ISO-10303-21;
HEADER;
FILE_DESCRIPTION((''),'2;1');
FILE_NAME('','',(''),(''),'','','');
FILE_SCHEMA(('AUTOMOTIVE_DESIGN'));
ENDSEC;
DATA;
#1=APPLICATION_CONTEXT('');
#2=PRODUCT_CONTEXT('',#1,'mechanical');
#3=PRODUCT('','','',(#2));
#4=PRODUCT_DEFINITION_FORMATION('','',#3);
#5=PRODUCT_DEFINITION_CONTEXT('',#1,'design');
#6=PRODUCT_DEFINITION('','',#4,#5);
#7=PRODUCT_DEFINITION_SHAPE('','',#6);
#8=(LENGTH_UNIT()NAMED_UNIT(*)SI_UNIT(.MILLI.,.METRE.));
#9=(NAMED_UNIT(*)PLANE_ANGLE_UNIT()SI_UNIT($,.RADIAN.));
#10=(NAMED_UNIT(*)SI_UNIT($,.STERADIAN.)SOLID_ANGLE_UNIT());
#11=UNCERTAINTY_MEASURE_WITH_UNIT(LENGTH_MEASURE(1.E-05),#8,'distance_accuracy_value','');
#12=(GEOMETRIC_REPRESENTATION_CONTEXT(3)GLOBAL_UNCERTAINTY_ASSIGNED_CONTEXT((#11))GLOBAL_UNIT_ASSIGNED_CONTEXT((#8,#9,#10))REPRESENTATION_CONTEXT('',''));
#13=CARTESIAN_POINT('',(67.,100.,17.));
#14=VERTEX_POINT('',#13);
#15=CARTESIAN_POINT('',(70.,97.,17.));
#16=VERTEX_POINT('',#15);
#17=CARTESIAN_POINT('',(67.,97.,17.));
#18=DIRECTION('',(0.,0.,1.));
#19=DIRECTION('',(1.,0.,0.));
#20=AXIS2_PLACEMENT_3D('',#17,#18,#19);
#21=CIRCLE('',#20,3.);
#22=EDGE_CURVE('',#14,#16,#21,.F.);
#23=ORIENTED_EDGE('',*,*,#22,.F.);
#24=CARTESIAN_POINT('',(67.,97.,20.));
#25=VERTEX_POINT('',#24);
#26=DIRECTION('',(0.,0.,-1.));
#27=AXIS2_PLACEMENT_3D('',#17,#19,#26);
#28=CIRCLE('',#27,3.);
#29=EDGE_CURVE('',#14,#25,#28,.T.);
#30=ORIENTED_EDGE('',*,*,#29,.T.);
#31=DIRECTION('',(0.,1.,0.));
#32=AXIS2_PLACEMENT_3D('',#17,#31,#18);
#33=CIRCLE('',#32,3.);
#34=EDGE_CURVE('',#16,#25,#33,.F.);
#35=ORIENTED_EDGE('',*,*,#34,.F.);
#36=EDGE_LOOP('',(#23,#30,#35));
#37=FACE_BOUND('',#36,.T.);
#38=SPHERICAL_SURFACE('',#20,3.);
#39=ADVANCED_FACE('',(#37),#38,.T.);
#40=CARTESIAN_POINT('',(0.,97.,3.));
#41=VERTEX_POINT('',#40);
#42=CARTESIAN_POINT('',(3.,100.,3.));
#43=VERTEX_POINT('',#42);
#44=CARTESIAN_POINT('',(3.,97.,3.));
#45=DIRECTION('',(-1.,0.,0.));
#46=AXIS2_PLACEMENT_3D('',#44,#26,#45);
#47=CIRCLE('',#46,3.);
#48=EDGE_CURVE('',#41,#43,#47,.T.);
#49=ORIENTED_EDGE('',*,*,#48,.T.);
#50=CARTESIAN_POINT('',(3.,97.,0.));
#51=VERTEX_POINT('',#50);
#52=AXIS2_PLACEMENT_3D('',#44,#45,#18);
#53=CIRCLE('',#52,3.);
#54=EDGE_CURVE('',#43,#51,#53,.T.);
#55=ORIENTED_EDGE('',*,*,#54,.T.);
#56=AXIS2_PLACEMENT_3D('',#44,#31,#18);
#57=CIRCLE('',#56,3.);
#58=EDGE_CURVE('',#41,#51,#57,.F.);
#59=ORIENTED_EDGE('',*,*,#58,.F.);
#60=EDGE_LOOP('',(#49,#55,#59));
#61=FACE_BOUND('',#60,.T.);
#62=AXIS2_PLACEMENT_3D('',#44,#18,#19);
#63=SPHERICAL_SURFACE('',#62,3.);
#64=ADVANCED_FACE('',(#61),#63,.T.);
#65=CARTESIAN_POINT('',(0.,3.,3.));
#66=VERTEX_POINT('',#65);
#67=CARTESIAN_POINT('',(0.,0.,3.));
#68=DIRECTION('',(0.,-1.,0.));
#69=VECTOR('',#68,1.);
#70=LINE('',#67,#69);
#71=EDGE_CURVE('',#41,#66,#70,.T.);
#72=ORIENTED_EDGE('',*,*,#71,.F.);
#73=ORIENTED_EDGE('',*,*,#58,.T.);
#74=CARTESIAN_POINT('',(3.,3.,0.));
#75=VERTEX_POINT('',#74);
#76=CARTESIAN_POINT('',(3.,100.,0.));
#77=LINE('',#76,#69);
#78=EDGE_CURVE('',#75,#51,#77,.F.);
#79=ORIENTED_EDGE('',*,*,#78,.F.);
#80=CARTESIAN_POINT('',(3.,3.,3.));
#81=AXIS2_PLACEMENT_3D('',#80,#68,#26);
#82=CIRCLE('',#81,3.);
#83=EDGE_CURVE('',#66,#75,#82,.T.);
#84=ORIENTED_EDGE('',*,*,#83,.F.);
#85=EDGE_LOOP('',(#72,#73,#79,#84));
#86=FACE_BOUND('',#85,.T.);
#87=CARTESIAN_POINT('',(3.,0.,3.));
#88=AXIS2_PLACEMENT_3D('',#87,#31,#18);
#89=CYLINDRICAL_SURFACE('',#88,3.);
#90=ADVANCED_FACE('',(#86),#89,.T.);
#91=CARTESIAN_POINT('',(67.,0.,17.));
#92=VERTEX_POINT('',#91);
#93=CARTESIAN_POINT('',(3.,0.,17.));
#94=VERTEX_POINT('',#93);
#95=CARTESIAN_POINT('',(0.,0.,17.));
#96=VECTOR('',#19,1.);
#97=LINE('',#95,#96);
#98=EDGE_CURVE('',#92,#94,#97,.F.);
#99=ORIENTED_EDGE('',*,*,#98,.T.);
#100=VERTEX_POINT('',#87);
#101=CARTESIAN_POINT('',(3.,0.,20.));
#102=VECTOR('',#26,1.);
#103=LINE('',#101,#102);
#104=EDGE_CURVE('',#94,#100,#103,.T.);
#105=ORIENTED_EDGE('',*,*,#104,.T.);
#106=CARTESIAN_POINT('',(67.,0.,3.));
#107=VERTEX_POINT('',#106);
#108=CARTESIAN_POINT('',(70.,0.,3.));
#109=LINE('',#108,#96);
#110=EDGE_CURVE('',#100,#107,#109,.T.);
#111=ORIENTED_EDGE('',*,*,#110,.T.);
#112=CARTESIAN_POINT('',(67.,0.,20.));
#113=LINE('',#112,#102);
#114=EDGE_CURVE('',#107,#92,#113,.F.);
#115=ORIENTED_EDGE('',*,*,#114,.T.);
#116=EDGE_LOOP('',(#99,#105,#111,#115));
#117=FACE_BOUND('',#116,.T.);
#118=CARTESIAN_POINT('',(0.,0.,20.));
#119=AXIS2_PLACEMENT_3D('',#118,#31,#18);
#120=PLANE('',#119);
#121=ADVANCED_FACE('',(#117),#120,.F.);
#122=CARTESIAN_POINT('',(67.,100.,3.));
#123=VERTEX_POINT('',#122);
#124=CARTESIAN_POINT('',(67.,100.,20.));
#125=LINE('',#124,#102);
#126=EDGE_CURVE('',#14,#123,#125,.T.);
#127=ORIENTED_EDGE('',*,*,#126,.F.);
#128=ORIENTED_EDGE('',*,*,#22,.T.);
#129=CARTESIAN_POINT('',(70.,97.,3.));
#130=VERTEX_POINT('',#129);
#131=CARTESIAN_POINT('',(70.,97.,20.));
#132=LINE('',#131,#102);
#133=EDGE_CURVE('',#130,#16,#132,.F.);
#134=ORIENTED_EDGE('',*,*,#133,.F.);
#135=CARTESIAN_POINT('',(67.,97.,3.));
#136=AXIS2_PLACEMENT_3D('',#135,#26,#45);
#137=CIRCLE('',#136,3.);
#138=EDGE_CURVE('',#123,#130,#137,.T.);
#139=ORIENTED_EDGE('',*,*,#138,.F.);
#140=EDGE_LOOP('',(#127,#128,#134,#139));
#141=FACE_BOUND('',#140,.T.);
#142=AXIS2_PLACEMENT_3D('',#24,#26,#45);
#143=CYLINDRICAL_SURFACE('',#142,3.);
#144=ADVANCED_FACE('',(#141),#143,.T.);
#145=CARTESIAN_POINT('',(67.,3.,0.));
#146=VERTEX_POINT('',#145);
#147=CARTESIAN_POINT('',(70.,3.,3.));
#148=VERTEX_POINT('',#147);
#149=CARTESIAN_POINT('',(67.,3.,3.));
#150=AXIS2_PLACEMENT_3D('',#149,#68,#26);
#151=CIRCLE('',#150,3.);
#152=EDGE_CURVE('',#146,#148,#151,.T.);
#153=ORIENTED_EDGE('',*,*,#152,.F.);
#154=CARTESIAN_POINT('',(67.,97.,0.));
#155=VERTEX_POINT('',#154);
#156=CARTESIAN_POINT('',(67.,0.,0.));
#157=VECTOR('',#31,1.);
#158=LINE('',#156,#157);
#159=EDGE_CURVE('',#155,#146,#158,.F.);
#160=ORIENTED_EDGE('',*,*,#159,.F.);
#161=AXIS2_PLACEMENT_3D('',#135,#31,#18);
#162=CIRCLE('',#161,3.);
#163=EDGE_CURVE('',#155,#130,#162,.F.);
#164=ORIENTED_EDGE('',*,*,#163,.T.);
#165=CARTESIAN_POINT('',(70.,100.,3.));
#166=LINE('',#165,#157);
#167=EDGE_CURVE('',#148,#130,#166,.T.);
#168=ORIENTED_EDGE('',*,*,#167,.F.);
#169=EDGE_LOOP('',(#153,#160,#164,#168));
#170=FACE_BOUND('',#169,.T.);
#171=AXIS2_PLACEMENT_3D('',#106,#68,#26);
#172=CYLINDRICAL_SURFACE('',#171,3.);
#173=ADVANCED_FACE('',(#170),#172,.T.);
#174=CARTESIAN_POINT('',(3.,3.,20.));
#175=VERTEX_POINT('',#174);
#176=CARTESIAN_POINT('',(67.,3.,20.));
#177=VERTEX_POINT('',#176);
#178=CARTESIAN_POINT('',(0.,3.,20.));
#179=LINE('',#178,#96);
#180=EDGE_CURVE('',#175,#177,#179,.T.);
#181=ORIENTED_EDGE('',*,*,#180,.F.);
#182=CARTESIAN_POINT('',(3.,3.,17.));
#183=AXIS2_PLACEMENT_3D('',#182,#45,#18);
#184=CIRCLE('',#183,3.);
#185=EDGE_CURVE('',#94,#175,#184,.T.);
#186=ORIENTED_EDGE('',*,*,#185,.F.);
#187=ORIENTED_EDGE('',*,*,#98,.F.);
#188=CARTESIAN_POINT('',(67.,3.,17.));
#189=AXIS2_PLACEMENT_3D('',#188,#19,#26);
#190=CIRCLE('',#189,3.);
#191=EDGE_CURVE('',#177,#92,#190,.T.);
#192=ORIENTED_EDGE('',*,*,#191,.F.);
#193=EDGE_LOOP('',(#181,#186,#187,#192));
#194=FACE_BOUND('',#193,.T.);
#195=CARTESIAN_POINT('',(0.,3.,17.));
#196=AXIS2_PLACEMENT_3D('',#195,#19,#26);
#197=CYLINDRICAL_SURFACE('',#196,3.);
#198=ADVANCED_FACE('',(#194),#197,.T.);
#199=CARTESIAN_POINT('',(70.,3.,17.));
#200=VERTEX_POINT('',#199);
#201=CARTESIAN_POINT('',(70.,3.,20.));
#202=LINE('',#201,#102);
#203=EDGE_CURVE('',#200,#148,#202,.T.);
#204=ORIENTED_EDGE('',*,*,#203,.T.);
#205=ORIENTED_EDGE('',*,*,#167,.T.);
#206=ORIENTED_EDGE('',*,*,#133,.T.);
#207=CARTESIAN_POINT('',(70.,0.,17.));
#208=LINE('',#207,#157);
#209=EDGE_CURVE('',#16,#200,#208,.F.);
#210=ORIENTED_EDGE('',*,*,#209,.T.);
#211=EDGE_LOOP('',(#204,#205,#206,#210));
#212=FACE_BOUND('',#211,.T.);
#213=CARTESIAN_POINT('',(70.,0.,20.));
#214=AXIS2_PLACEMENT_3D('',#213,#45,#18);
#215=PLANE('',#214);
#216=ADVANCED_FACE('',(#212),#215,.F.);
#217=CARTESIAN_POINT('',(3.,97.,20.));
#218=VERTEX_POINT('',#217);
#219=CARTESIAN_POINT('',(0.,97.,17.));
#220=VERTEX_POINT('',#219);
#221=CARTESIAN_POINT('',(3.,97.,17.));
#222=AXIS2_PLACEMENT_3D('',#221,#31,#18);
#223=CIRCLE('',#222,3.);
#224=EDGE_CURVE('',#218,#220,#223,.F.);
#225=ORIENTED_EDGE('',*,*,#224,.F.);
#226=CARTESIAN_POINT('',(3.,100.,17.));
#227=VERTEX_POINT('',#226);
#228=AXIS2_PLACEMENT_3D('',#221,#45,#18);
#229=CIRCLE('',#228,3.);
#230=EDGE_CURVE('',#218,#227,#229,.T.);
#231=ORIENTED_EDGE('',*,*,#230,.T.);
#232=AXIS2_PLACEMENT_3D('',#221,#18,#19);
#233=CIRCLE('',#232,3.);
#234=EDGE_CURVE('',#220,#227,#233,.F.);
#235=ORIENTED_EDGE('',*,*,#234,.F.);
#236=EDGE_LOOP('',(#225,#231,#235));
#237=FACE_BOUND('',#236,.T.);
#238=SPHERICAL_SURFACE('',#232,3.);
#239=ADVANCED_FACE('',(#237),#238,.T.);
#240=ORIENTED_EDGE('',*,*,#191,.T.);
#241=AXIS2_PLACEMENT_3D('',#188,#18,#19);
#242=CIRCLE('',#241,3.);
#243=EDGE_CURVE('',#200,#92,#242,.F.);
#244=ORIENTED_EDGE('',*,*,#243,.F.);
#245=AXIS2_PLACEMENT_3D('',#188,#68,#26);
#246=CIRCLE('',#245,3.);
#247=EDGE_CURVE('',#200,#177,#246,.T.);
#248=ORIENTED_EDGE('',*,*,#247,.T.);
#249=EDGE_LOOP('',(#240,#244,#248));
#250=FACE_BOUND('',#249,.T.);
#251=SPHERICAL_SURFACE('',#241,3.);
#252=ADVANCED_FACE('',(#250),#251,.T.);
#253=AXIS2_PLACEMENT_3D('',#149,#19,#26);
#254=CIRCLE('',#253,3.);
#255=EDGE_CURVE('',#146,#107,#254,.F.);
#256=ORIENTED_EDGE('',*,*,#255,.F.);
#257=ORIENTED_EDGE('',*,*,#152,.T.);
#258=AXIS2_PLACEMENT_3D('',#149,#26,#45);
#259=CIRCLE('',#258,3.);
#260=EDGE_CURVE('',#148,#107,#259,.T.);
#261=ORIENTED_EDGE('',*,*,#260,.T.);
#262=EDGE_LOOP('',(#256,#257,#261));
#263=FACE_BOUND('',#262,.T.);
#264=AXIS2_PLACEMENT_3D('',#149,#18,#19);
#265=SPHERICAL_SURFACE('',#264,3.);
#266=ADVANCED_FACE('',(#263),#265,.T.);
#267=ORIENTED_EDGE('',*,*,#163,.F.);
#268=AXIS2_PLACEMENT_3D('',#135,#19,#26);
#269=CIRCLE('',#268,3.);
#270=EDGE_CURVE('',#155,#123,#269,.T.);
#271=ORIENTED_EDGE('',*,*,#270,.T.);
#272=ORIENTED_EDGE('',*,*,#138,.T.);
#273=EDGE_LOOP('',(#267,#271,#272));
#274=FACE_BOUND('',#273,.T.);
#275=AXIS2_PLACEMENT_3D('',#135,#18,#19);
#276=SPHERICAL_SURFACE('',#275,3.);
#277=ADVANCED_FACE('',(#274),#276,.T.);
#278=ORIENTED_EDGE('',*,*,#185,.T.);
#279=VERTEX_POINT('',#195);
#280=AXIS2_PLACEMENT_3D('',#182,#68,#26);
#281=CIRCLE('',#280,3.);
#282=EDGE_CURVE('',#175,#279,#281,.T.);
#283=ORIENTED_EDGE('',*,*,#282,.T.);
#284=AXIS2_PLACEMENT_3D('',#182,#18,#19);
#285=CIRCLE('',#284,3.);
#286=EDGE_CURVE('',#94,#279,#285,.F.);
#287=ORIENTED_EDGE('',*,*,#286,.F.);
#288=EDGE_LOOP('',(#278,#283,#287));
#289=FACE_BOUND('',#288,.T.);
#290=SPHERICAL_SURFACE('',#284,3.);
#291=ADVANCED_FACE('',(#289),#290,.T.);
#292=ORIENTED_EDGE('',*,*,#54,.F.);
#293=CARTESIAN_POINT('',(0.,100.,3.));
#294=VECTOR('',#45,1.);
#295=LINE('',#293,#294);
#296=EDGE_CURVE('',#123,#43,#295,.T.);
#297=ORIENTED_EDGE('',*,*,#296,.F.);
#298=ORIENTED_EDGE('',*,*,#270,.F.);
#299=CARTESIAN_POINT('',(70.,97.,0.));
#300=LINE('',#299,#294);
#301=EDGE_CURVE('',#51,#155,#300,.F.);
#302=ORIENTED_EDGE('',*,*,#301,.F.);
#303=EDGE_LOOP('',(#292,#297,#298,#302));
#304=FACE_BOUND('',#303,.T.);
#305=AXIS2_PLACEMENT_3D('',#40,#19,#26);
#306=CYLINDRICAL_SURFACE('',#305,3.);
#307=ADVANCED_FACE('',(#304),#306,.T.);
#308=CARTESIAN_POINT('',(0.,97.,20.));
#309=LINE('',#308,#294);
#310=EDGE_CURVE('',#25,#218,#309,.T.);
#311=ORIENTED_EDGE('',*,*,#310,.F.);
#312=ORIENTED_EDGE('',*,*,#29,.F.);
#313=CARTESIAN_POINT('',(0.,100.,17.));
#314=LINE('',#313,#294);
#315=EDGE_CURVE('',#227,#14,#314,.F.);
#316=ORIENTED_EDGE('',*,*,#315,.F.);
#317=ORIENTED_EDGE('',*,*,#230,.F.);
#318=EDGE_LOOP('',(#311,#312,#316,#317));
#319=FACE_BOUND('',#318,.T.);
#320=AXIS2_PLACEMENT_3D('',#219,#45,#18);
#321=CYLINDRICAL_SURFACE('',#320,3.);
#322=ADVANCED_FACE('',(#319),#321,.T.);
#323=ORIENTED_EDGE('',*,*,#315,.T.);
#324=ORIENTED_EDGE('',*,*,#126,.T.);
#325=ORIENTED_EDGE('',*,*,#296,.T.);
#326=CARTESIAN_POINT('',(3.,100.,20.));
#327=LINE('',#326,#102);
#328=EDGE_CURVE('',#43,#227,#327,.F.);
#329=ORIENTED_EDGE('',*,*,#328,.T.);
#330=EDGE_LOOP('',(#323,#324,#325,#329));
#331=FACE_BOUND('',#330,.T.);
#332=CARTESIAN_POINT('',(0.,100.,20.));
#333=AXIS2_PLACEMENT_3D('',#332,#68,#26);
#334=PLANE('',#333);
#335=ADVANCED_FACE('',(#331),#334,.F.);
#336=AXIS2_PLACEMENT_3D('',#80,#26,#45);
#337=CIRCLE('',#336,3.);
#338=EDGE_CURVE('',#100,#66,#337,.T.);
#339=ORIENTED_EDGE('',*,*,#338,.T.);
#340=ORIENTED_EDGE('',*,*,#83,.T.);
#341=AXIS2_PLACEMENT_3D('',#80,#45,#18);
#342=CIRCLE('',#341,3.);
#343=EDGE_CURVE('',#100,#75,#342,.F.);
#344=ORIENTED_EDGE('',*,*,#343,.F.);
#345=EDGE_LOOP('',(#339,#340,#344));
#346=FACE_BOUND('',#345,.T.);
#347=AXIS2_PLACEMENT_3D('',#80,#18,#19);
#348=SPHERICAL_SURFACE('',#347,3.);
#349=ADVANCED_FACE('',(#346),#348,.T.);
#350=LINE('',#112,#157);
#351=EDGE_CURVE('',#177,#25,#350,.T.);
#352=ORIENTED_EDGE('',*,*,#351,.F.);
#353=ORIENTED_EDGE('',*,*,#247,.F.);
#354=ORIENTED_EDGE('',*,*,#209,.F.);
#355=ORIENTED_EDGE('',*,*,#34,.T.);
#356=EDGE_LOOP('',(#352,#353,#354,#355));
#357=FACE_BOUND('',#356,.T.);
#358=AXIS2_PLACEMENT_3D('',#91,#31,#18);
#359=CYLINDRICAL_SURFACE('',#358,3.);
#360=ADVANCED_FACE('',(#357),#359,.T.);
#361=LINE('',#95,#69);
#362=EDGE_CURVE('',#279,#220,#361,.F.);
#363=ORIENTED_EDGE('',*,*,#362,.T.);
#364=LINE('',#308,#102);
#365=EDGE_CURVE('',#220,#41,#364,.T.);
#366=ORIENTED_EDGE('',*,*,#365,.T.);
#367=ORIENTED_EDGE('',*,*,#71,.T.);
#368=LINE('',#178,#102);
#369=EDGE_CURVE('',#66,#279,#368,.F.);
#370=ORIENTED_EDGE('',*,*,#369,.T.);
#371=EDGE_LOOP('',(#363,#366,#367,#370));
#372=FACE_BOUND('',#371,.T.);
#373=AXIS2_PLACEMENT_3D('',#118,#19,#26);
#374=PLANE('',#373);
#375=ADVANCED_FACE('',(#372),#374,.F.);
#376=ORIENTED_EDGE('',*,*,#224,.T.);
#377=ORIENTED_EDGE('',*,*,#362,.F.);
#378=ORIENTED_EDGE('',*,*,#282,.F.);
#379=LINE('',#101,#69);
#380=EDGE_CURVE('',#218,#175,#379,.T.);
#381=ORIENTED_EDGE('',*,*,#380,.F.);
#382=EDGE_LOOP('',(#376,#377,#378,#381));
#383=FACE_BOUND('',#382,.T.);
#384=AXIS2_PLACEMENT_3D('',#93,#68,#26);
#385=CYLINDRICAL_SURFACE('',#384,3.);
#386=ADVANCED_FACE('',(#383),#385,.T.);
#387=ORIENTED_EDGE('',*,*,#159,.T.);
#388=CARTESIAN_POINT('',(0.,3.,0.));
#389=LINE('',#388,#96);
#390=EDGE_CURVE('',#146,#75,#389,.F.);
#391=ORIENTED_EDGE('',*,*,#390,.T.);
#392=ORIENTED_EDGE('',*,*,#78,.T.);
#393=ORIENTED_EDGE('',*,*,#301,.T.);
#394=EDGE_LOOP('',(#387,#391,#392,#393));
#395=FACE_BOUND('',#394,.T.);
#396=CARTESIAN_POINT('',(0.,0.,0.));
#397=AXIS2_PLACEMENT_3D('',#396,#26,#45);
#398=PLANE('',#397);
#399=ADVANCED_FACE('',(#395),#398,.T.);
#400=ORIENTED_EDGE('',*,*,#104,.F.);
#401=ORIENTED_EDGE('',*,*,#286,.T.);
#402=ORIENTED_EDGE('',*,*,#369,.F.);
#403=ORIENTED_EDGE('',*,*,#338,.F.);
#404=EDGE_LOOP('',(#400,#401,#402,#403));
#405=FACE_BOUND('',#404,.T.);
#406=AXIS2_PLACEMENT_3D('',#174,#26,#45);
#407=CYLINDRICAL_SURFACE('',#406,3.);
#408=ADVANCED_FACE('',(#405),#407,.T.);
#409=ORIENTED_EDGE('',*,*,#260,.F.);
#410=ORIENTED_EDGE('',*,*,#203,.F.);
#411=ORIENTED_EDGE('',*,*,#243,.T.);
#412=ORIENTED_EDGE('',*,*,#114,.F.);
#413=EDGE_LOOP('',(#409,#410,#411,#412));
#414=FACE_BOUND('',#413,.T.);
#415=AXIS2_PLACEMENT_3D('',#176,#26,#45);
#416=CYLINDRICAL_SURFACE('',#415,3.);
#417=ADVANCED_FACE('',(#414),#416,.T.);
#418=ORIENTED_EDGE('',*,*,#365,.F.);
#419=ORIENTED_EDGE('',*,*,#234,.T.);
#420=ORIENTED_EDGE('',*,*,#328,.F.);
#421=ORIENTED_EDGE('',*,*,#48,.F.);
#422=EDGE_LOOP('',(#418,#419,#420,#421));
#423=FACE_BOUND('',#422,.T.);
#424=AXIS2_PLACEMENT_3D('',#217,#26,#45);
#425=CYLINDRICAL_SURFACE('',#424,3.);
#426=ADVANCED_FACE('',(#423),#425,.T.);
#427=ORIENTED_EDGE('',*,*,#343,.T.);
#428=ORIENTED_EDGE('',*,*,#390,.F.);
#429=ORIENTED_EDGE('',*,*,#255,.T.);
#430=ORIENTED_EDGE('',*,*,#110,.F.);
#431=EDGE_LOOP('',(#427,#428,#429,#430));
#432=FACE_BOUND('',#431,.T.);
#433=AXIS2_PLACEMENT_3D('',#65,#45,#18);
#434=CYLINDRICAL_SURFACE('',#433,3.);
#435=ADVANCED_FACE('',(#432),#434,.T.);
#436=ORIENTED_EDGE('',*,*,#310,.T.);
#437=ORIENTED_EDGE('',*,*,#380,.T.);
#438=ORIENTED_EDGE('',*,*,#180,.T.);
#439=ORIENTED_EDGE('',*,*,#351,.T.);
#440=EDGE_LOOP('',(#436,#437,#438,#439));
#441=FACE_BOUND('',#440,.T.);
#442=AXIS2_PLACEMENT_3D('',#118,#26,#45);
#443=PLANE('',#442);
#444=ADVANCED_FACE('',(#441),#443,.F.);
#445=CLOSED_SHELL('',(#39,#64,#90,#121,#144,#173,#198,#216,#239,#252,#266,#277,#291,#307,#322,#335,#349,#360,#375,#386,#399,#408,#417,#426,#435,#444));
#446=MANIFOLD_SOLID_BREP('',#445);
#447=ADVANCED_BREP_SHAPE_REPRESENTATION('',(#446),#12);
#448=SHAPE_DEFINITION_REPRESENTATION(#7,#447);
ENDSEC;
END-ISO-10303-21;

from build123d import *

# Parameters (mm, degrees)
SKETCH1_W           = 70
SKETCH1_H           = 100
BOSS_EXTRUDE1_DEPTH = 20
FILLET1_R           = 3


with BuildPart() as part:
    # Sketch1 → Boss-Extrude1 (new body)
    with BuildSketch(Plane.XY):
        with Locations((35, 50)):
            Rectangle(SKETCH1_W, SKETCH1_H)
    extrude(amount=BOSS_EXTRUDE1_DEPTH)

    # Fillet1
    fillet1_edges = [part.edges().sort_by_distance(p)[0] for p in [
        (70, 50, 20),
        (35, 100, 20),
        (0, 50, 20),
        (35, 100, 0),
        (70, 50, 0),
        (35, 0, 0),
        (0, 50, 0),
        (35, 0, 20),
        (0, 100, 10),
        (70, 100, 10),
        (70, 0, 10),
        (0, 0, 10),
    ]]
    fillet(fillet1_edges, radius=FILLET1_R)


solid = part.part
